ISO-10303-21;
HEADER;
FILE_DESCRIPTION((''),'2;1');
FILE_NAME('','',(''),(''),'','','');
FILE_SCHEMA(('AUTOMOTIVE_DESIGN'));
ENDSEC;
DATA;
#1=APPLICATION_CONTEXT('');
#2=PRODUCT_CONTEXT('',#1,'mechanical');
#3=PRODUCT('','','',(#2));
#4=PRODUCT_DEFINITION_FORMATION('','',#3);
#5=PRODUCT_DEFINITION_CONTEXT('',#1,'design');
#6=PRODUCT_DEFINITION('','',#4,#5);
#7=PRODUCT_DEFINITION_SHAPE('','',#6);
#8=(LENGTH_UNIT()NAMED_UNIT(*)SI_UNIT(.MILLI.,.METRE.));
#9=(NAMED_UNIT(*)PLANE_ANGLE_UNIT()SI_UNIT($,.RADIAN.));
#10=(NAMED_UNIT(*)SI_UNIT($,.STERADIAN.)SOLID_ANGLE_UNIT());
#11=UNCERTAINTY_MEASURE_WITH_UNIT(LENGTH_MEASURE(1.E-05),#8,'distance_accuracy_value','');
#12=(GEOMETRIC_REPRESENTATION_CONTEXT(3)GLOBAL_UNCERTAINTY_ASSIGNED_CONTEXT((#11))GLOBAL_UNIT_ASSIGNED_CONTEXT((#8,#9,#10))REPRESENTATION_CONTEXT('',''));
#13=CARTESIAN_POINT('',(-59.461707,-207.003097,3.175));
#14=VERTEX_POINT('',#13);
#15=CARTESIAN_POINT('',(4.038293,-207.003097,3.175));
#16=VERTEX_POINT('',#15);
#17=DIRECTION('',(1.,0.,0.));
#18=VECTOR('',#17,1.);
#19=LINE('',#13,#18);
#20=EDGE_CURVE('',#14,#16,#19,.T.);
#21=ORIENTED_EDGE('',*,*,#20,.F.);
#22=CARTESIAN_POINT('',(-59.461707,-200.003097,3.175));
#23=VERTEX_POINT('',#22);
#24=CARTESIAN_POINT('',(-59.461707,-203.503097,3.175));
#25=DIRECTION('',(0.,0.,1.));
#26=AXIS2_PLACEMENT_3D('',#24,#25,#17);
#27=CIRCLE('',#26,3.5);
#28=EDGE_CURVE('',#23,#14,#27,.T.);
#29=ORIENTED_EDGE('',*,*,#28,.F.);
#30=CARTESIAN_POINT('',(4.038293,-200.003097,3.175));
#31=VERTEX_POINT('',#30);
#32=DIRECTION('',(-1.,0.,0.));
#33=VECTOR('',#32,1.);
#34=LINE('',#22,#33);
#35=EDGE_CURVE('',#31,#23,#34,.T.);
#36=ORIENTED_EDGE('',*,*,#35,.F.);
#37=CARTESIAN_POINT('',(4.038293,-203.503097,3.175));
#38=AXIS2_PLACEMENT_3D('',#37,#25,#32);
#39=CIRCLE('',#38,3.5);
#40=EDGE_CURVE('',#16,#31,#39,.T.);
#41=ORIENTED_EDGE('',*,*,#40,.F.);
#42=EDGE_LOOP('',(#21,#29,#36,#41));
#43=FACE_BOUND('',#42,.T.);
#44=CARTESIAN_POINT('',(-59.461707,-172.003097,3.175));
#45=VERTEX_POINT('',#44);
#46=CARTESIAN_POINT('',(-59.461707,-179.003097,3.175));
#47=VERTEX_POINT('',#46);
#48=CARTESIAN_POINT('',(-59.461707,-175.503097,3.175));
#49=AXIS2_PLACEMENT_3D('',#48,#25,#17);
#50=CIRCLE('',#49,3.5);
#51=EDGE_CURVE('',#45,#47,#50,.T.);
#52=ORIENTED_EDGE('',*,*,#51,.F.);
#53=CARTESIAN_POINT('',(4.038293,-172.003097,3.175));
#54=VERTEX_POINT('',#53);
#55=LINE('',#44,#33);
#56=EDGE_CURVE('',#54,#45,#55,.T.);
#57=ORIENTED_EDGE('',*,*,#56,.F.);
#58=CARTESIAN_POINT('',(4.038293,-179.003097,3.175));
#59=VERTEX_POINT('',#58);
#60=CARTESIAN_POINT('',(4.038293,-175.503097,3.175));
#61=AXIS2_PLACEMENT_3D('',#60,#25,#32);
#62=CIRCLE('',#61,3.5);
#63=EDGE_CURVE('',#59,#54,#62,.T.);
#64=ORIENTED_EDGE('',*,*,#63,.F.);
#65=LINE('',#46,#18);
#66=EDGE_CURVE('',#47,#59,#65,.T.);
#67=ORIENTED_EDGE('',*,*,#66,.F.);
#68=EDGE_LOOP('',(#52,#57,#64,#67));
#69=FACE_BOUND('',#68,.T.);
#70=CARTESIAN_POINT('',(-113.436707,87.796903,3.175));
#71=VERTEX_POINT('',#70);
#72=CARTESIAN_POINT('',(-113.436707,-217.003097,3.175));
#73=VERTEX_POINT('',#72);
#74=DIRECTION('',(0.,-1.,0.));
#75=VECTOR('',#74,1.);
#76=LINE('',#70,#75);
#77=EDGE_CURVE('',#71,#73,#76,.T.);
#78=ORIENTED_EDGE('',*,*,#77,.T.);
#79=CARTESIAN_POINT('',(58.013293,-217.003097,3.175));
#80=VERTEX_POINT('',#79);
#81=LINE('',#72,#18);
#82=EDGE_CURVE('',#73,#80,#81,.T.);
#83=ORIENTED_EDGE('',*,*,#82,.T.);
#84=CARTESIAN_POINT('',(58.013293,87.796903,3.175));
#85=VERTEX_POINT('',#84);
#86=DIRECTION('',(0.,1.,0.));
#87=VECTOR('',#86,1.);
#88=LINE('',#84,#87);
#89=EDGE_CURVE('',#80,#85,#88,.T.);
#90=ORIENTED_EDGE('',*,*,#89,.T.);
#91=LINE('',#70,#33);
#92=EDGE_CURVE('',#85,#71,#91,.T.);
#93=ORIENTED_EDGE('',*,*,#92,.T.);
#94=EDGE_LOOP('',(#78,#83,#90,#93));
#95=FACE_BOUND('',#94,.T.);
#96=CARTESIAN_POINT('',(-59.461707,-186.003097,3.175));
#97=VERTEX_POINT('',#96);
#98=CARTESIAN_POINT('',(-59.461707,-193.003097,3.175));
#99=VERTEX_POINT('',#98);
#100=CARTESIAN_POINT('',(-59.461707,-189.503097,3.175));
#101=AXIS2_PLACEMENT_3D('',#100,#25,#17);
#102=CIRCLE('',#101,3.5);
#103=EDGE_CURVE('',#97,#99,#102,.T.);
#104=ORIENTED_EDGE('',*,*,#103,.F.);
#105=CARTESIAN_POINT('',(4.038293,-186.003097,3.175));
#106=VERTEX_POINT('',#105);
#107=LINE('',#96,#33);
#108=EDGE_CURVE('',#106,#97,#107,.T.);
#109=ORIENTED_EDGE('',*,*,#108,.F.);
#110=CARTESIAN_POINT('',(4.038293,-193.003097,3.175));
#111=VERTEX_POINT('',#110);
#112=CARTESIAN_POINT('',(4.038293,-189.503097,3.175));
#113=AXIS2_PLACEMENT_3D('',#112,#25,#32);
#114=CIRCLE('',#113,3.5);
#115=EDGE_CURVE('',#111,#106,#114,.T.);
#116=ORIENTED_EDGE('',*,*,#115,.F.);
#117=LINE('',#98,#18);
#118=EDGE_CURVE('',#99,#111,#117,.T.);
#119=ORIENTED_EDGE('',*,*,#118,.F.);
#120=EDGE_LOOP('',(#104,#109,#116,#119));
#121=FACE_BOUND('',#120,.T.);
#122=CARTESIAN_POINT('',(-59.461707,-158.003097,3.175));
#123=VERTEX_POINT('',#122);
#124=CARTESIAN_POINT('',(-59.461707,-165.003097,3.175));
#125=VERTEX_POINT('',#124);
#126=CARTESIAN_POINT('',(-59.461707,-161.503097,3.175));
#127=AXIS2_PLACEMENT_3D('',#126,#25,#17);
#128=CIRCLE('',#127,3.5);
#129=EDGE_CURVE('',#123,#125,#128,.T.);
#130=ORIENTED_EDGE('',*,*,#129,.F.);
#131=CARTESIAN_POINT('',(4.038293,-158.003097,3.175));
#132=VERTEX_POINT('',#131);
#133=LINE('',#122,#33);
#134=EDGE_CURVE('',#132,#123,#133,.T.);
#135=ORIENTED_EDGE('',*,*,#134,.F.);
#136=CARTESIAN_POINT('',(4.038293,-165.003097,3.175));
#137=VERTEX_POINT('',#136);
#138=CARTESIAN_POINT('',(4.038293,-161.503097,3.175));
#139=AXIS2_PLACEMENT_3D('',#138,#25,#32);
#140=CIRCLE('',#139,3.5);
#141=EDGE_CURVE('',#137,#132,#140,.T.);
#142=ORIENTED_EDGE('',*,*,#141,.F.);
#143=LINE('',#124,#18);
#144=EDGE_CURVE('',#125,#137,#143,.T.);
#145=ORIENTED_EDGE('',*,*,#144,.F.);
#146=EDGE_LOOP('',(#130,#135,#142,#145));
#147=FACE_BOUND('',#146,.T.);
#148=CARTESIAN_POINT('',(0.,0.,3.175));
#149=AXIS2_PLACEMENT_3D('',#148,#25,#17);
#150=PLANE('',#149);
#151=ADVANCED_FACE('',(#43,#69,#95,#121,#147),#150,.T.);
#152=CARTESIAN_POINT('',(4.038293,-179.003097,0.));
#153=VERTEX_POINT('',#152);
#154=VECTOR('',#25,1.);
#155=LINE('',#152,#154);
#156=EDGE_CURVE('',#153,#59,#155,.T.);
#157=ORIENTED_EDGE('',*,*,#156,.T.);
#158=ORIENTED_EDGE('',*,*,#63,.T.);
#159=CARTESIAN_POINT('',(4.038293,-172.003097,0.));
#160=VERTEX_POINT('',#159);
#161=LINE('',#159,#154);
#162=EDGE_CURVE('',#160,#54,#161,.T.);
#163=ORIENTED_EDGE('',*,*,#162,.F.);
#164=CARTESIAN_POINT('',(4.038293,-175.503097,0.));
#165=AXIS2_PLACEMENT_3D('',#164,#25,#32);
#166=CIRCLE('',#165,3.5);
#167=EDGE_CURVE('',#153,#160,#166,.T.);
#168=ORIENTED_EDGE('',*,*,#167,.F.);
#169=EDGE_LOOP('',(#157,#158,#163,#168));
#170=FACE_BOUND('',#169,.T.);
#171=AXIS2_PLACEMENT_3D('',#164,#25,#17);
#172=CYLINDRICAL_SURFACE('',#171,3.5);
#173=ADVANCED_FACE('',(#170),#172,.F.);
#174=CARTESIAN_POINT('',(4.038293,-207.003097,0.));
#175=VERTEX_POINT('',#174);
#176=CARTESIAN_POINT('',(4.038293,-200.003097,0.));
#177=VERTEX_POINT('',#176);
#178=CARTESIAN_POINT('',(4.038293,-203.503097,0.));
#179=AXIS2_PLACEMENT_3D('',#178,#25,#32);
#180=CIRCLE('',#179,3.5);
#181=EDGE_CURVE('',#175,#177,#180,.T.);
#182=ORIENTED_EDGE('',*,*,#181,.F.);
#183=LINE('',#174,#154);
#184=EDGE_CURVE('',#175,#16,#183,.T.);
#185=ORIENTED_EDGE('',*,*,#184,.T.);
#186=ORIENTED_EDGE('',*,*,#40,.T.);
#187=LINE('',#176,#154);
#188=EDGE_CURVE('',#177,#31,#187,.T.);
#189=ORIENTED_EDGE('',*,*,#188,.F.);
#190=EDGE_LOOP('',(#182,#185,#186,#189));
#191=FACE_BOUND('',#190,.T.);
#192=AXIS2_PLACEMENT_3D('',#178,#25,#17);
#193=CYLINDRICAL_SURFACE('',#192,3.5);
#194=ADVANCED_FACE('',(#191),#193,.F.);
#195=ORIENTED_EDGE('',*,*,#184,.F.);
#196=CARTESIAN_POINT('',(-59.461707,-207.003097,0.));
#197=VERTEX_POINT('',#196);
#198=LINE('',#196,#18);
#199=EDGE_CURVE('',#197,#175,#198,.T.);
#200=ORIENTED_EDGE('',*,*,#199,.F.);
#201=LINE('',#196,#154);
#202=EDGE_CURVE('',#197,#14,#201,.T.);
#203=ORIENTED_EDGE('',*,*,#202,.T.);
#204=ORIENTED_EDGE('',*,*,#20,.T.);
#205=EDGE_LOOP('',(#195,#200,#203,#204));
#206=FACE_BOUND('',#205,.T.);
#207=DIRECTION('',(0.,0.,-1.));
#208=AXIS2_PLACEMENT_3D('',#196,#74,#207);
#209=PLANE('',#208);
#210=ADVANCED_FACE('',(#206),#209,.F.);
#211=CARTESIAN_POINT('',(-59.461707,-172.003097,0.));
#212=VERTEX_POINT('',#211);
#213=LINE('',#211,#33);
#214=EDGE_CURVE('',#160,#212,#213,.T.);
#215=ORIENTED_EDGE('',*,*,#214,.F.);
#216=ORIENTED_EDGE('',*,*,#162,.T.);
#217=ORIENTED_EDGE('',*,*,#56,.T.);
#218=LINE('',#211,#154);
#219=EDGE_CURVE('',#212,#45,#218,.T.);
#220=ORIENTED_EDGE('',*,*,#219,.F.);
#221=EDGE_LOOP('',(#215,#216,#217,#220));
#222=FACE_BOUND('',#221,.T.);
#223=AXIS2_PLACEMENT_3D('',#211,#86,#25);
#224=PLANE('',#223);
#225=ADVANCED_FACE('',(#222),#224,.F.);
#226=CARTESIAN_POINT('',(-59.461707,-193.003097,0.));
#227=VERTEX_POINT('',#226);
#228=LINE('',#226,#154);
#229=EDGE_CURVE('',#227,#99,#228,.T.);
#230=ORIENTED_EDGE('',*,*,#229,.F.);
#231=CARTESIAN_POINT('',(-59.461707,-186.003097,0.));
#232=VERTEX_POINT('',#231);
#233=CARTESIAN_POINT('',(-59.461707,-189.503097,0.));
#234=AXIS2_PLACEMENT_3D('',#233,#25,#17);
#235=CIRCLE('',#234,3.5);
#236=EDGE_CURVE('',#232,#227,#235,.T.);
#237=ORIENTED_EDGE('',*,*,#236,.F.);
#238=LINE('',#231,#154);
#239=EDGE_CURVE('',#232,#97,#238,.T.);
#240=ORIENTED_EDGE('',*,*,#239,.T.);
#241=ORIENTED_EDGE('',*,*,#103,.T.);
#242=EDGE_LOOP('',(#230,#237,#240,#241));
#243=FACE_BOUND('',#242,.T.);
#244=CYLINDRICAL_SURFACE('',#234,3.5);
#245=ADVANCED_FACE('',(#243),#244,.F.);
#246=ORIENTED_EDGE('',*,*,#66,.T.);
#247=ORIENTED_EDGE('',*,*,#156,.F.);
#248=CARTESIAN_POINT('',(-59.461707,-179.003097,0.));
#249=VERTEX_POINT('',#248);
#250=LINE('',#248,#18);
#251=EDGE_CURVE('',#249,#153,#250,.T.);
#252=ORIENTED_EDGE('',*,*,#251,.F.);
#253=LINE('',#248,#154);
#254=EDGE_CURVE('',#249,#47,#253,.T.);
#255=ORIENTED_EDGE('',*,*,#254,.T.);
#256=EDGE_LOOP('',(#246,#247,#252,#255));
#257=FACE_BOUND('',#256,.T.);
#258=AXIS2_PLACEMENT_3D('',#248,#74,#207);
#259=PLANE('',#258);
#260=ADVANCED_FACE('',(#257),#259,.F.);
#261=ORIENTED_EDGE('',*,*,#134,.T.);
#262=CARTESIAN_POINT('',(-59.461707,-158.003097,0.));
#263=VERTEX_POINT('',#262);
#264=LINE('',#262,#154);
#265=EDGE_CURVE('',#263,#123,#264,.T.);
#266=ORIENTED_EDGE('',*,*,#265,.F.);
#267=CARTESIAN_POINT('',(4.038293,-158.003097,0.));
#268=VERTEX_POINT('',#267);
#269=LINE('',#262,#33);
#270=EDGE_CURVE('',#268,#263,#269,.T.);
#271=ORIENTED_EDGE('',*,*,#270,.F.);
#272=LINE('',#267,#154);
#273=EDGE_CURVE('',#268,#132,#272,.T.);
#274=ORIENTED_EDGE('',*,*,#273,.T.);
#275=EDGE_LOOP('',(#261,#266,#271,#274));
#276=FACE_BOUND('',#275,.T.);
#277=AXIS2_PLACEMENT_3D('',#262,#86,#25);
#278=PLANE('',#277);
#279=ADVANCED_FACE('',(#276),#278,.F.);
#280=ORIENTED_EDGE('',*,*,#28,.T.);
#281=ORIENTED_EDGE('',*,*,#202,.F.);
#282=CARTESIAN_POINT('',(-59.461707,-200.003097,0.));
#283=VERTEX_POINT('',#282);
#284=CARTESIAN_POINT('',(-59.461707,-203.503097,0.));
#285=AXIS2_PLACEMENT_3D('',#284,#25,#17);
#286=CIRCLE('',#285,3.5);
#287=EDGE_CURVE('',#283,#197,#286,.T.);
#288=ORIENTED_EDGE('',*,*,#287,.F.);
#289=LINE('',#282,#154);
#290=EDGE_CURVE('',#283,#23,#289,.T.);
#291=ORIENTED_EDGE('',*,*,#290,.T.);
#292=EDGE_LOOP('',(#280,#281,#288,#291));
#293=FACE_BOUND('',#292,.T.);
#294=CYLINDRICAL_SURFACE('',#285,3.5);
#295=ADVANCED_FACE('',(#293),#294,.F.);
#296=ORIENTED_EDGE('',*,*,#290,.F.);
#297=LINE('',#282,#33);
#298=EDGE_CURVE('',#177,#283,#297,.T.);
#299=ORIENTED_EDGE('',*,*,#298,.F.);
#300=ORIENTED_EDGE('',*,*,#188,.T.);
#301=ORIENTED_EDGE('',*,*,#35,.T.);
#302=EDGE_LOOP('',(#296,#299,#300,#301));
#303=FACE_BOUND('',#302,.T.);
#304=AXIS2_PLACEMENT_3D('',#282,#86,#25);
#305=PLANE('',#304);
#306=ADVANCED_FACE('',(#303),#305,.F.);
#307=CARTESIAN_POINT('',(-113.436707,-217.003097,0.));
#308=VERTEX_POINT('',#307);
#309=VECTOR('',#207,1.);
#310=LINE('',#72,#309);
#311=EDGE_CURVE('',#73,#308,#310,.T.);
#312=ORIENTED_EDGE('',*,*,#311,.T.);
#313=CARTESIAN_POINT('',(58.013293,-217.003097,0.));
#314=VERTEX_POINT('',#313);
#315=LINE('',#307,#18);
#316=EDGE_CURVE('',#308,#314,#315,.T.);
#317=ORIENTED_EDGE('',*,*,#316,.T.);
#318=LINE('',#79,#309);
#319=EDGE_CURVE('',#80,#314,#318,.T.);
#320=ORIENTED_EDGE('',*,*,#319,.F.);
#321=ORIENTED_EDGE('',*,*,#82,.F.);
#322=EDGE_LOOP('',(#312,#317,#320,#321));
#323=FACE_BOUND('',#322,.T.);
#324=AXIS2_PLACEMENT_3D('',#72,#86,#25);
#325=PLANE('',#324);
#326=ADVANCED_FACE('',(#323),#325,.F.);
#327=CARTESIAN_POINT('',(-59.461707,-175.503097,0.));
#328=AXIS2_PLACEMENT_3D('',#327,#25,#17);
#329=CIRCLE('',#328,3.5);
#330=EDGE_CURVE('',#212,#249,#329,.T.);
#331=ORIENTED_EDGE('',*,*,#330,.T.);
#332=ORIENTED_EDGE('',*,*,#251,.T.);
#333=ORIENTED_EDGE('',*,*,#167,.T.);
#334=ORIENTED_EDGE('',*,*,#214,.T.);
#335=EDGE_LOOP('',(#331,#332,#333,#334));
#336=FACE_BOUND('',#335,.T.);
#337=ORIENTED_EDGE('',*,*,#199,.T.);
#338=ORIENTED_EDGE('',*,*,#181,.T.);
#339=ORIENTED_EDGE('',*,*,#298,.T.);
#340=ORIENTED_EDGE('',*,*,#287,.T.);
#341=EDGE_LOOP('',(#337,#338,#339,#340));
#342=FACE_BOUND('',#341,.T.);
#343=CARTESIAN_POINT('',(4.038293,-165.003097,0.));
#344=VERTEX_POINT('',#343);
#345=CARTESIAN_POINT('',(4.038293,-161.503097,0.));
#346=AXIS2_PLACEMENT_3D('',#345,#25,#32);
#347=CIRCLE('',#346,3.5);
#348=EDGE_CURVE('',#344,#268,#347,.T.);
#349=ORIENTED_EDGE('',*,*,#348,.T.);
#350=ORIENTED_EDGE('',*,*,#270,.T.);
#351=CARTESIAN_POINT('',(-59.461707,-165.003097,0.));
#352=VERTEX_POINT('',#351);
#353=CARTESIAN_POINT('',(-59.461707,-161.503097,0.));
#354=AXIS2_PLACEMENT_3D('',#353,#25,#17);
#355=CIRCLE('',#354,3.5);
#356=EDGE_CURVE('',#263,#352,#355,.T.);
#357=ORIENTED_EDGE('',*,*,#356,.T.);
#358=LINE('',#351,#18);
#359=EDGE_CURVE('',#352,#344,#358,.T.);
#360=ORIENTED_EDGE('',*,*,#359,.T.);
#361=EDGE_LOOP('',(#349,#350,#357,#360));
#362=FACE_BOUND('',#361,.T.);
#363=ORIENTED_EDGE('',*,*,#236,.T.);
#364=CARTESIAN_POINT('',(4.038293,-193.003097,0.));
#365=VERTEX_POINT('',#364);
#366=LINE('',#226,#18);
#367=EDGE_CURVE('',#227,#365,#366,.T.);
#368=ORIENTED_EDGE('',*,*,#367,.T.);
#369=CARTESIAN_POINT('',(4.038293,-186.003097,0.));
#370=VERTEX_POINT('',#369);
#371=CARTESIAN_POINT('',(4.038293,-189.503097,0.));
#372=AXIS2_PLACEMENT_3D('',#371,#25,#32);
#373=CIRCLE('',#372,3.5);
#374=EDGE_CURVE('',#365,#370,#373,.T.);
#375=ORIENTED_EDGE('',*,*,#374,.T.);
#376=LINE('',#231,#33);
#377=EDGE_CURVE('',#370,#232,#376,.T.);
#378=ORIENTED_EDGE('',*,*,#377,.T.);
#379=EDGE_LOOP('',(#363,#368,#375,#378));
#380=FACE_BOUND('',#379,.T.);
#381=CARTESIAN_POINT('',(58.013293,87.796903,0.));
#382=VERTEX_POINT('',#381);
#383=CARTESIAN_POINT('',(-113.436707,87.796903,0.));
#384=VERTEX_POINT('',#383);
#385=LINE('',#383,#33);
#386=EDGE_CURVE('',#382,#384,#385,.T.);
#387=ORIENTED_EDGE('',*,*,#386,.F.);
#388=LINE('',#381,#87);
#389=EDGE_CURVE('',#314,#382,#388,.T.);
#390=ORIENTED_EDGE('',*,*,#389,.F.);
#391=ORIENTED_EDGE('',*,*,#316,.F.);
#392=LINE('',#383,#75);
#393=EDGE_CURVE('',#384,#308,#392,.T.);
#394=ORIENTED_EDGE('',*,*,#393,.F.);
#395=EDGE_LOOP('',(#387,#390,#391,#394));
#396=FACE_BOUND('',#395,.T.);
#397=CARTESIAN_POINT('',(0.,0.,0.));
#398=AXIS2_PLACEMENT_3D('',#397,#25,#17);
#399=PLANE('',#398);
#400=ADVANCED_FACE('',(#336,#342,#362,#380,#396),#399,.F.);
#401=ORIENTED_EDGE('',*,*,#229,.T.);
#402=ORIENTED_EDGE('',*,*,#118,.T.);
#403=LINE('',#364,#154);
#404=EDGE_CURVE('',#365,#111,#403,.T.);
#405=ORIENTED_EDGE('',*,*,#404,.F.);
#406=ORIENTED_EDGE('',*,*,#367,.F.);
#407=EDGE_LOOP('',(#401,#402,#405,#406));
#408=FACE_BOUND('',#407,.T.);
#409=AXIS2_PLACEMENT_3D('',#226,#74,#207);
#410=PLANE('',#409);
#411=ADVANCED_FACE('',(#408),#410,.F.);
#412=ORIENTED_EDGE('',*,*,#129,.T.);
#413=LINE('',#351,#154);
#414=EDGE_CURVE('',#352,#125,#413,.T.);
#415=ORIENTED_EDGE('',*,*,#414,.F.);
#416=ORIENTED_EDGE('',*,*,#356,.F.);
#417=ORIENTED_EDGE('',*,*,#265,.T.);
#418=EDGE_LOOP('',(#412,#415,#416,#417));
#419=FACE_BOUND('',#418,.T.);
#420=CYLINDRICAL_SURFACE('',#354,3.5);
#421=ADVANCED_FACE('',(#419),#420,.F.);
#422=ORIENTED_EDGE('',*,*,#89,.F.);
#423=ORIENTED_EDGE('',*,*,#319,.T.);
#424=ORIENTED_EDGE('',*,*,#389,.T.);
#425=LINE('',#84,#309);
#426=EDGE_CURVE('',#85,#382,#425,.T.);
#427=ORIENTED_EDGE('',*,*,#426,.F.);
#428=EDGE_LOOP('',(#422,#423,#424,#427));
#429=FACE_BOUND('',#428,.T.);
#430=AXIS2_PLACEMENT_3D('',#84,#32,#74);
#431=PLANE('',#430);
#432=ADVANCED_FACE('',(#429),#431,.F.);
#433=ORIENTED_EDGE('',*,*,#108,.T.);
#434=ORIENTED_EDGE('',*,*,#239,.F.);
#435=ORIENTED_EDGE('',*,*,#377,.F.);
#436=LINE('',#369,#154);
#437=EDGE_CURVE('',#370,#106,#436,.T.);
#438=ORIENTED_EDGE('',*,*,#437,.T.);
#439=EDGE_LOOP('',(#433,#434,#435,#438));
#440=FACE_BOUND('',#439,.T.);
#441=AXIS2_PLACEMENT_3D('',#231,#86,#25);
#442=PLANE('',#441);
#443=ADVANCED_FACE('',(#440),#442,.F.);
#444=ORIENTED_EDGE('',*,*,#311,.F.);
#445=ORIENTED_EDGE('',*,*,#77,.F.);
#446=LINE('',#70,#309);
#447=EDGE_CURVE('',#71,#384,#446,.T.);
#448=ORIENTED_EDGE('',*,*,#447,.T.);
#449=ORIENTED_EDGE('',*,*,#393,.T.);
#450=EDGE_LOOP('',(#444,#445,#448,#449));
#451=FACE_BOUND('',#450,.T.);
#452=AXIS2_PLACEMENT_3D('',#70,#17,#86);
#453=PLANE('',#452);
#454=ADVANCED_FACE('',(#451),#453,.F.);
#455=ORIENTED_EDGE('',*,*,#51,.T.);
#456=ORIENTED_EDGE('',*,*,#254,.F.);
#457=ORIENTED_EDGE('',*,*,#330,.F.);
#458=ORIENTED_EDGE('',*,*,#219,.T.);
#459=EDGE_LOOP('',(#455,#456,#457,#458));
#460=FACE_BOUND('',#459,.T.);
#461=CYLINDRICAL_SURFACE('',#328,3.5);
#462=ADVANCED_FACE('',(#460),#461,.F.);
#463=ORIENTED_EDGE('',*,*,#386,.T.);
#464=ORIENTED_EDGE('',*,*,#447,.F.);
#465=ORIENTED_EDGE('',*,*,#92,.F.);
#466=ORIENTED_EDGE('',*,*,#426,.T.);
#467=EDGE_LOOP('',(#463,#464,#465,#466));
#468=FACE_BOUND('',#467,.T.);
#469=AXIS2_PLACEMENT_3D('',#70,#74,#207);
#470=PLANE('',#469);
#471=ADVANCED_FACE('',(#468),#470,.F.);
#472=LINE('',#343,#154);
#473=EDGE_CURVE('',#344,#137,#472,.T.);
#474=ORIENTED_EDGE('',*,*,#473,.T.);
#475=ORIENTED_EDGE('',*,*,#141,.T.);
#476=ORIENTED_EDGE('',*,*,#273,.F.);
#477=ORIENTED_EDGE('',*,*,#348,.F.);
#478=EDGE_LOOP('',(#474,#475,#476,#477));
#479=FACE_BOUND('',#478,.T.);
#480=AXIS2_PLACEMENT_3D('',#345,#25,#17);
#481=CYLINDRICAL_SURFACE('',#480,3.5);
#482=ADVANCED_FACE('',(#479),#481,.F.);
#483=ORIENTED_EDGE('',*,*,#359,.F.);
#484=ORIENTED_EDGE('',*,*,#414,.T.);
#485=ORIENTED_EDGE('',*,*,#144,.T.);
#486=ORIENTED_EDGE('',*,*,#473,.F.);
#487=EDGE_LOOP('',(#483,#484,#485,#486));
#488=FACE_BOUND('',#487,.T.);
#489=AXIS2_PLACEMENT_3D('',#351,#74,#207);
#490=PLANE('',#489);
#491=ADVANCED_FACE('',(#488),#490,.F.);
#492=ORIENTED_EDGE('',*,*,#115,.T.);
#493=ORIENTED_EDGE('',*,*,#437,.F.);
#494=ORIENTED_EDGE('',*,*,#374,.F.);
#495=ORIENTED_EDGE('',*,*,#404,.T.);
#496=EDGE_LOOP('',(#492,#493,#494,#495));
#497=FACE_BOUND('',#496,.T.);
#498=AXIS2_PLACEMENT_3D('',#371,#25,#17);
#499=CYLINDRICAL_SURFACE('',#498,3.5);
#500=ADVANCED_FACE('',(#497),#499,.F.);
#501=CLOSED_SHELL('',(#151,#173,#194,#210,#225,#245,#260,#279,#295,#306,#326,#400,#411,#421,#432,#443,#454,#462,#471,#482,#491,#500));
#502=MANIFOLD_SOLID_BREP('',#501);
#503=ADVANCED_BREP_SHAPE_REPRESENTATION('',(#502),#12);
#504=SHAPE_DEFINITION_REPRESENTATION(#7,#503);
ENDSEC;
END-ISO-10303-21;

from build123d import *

# Parameters (mm, degrees)
SKETCH1_W           = 171.45
SKETCH1_H           = 304.8
BOSS_EXTRUDE1_DEPTH = 3.175
CUT_EXTRUDE1_DEPTH  = 3.175


with BuildPart() as part:
    # Sketch1 → Boss-Extrude1 (new body)
    with BuildSketch(Plane.XY):
        with Locations((-27.711706949, -64.603096677)):
            Rectangle(SKETCH1_W, SKETCH1_H)
    extrude(amount=BOSS_EXTRUDE1_DEPTH)

    # Sketch2 → Cut-Extrude1 (cut)
    with BuildSketch(Plane.XY.offset(3.175)):
        with BuildLine():
            Line((-59.461706949, -200.003096677), (4.038293051, -200.003096677))
            ThreePointArc((4.038293051, -200.003096677), (7.538293051, -203.503096677), (4.038293051, -207.003096677))
            Line((4.038293051, -207.003096677), (-59.461706949, -207.003096677))
            ThreePointArc((-59.461706949, -207.003096677), (-62.961706949, -203.503096677), (-59.461706949, -200.003096677))
        make_face()
        with BuildLine():
            Line((-59.461706949, -186.003096677), (4.038293051, -186.003096677))
            ThreePointArc((4.038293051, -186.003096677), (7.538293051, -189.503096677), (4.038293051, -193.003096677))
            Line((4.038293051, -193.003096677), (-59.461706949, -193.003096677))
            ThreePointArc((-59.461706949, -193.003096677), (-62.961706949, -189.503096677), (-59.461706949, -186.003096677))
        make_face()
        with BuildLine():
            Line((-59.461706949, -172.003096677), (4.038293051, -172.003096677))
            ThreePointArc((4.038293051, -172.003096677), (7.538293051, -175.503096677), (4.038293051, -179.003096677))
            Line((4.038293051, -179.003096677), (-59.461706949, -179.003096677))
            ThreePointArc((-59.461706949, -179.003096677), (-62.961706949, -175.503096677), (-59.461706949, -172.003096677))
        make_face()
        with BuildLine():
            Line((-59.461706949, -158.003096677), (4.038293051, -158.003096677))
            ThreePointArc((4.038293051, -158.003096677), (7.538293051, -161.503096677), (4.038293051, -165.003096677))
            Line((4.038293051, -165.003096677), (-59.461706949, -165.003096677))
            ThreePointArc((-59.461706949, -165.003096677), (-62.961706949, -161.503096677), (-59.461706949, -158.003096677))
        make_face()
    extrude(amount=-CUT_EXTRUDE1_DEPTH, mode=Mode.SUBTRACT)


solid = part.part
